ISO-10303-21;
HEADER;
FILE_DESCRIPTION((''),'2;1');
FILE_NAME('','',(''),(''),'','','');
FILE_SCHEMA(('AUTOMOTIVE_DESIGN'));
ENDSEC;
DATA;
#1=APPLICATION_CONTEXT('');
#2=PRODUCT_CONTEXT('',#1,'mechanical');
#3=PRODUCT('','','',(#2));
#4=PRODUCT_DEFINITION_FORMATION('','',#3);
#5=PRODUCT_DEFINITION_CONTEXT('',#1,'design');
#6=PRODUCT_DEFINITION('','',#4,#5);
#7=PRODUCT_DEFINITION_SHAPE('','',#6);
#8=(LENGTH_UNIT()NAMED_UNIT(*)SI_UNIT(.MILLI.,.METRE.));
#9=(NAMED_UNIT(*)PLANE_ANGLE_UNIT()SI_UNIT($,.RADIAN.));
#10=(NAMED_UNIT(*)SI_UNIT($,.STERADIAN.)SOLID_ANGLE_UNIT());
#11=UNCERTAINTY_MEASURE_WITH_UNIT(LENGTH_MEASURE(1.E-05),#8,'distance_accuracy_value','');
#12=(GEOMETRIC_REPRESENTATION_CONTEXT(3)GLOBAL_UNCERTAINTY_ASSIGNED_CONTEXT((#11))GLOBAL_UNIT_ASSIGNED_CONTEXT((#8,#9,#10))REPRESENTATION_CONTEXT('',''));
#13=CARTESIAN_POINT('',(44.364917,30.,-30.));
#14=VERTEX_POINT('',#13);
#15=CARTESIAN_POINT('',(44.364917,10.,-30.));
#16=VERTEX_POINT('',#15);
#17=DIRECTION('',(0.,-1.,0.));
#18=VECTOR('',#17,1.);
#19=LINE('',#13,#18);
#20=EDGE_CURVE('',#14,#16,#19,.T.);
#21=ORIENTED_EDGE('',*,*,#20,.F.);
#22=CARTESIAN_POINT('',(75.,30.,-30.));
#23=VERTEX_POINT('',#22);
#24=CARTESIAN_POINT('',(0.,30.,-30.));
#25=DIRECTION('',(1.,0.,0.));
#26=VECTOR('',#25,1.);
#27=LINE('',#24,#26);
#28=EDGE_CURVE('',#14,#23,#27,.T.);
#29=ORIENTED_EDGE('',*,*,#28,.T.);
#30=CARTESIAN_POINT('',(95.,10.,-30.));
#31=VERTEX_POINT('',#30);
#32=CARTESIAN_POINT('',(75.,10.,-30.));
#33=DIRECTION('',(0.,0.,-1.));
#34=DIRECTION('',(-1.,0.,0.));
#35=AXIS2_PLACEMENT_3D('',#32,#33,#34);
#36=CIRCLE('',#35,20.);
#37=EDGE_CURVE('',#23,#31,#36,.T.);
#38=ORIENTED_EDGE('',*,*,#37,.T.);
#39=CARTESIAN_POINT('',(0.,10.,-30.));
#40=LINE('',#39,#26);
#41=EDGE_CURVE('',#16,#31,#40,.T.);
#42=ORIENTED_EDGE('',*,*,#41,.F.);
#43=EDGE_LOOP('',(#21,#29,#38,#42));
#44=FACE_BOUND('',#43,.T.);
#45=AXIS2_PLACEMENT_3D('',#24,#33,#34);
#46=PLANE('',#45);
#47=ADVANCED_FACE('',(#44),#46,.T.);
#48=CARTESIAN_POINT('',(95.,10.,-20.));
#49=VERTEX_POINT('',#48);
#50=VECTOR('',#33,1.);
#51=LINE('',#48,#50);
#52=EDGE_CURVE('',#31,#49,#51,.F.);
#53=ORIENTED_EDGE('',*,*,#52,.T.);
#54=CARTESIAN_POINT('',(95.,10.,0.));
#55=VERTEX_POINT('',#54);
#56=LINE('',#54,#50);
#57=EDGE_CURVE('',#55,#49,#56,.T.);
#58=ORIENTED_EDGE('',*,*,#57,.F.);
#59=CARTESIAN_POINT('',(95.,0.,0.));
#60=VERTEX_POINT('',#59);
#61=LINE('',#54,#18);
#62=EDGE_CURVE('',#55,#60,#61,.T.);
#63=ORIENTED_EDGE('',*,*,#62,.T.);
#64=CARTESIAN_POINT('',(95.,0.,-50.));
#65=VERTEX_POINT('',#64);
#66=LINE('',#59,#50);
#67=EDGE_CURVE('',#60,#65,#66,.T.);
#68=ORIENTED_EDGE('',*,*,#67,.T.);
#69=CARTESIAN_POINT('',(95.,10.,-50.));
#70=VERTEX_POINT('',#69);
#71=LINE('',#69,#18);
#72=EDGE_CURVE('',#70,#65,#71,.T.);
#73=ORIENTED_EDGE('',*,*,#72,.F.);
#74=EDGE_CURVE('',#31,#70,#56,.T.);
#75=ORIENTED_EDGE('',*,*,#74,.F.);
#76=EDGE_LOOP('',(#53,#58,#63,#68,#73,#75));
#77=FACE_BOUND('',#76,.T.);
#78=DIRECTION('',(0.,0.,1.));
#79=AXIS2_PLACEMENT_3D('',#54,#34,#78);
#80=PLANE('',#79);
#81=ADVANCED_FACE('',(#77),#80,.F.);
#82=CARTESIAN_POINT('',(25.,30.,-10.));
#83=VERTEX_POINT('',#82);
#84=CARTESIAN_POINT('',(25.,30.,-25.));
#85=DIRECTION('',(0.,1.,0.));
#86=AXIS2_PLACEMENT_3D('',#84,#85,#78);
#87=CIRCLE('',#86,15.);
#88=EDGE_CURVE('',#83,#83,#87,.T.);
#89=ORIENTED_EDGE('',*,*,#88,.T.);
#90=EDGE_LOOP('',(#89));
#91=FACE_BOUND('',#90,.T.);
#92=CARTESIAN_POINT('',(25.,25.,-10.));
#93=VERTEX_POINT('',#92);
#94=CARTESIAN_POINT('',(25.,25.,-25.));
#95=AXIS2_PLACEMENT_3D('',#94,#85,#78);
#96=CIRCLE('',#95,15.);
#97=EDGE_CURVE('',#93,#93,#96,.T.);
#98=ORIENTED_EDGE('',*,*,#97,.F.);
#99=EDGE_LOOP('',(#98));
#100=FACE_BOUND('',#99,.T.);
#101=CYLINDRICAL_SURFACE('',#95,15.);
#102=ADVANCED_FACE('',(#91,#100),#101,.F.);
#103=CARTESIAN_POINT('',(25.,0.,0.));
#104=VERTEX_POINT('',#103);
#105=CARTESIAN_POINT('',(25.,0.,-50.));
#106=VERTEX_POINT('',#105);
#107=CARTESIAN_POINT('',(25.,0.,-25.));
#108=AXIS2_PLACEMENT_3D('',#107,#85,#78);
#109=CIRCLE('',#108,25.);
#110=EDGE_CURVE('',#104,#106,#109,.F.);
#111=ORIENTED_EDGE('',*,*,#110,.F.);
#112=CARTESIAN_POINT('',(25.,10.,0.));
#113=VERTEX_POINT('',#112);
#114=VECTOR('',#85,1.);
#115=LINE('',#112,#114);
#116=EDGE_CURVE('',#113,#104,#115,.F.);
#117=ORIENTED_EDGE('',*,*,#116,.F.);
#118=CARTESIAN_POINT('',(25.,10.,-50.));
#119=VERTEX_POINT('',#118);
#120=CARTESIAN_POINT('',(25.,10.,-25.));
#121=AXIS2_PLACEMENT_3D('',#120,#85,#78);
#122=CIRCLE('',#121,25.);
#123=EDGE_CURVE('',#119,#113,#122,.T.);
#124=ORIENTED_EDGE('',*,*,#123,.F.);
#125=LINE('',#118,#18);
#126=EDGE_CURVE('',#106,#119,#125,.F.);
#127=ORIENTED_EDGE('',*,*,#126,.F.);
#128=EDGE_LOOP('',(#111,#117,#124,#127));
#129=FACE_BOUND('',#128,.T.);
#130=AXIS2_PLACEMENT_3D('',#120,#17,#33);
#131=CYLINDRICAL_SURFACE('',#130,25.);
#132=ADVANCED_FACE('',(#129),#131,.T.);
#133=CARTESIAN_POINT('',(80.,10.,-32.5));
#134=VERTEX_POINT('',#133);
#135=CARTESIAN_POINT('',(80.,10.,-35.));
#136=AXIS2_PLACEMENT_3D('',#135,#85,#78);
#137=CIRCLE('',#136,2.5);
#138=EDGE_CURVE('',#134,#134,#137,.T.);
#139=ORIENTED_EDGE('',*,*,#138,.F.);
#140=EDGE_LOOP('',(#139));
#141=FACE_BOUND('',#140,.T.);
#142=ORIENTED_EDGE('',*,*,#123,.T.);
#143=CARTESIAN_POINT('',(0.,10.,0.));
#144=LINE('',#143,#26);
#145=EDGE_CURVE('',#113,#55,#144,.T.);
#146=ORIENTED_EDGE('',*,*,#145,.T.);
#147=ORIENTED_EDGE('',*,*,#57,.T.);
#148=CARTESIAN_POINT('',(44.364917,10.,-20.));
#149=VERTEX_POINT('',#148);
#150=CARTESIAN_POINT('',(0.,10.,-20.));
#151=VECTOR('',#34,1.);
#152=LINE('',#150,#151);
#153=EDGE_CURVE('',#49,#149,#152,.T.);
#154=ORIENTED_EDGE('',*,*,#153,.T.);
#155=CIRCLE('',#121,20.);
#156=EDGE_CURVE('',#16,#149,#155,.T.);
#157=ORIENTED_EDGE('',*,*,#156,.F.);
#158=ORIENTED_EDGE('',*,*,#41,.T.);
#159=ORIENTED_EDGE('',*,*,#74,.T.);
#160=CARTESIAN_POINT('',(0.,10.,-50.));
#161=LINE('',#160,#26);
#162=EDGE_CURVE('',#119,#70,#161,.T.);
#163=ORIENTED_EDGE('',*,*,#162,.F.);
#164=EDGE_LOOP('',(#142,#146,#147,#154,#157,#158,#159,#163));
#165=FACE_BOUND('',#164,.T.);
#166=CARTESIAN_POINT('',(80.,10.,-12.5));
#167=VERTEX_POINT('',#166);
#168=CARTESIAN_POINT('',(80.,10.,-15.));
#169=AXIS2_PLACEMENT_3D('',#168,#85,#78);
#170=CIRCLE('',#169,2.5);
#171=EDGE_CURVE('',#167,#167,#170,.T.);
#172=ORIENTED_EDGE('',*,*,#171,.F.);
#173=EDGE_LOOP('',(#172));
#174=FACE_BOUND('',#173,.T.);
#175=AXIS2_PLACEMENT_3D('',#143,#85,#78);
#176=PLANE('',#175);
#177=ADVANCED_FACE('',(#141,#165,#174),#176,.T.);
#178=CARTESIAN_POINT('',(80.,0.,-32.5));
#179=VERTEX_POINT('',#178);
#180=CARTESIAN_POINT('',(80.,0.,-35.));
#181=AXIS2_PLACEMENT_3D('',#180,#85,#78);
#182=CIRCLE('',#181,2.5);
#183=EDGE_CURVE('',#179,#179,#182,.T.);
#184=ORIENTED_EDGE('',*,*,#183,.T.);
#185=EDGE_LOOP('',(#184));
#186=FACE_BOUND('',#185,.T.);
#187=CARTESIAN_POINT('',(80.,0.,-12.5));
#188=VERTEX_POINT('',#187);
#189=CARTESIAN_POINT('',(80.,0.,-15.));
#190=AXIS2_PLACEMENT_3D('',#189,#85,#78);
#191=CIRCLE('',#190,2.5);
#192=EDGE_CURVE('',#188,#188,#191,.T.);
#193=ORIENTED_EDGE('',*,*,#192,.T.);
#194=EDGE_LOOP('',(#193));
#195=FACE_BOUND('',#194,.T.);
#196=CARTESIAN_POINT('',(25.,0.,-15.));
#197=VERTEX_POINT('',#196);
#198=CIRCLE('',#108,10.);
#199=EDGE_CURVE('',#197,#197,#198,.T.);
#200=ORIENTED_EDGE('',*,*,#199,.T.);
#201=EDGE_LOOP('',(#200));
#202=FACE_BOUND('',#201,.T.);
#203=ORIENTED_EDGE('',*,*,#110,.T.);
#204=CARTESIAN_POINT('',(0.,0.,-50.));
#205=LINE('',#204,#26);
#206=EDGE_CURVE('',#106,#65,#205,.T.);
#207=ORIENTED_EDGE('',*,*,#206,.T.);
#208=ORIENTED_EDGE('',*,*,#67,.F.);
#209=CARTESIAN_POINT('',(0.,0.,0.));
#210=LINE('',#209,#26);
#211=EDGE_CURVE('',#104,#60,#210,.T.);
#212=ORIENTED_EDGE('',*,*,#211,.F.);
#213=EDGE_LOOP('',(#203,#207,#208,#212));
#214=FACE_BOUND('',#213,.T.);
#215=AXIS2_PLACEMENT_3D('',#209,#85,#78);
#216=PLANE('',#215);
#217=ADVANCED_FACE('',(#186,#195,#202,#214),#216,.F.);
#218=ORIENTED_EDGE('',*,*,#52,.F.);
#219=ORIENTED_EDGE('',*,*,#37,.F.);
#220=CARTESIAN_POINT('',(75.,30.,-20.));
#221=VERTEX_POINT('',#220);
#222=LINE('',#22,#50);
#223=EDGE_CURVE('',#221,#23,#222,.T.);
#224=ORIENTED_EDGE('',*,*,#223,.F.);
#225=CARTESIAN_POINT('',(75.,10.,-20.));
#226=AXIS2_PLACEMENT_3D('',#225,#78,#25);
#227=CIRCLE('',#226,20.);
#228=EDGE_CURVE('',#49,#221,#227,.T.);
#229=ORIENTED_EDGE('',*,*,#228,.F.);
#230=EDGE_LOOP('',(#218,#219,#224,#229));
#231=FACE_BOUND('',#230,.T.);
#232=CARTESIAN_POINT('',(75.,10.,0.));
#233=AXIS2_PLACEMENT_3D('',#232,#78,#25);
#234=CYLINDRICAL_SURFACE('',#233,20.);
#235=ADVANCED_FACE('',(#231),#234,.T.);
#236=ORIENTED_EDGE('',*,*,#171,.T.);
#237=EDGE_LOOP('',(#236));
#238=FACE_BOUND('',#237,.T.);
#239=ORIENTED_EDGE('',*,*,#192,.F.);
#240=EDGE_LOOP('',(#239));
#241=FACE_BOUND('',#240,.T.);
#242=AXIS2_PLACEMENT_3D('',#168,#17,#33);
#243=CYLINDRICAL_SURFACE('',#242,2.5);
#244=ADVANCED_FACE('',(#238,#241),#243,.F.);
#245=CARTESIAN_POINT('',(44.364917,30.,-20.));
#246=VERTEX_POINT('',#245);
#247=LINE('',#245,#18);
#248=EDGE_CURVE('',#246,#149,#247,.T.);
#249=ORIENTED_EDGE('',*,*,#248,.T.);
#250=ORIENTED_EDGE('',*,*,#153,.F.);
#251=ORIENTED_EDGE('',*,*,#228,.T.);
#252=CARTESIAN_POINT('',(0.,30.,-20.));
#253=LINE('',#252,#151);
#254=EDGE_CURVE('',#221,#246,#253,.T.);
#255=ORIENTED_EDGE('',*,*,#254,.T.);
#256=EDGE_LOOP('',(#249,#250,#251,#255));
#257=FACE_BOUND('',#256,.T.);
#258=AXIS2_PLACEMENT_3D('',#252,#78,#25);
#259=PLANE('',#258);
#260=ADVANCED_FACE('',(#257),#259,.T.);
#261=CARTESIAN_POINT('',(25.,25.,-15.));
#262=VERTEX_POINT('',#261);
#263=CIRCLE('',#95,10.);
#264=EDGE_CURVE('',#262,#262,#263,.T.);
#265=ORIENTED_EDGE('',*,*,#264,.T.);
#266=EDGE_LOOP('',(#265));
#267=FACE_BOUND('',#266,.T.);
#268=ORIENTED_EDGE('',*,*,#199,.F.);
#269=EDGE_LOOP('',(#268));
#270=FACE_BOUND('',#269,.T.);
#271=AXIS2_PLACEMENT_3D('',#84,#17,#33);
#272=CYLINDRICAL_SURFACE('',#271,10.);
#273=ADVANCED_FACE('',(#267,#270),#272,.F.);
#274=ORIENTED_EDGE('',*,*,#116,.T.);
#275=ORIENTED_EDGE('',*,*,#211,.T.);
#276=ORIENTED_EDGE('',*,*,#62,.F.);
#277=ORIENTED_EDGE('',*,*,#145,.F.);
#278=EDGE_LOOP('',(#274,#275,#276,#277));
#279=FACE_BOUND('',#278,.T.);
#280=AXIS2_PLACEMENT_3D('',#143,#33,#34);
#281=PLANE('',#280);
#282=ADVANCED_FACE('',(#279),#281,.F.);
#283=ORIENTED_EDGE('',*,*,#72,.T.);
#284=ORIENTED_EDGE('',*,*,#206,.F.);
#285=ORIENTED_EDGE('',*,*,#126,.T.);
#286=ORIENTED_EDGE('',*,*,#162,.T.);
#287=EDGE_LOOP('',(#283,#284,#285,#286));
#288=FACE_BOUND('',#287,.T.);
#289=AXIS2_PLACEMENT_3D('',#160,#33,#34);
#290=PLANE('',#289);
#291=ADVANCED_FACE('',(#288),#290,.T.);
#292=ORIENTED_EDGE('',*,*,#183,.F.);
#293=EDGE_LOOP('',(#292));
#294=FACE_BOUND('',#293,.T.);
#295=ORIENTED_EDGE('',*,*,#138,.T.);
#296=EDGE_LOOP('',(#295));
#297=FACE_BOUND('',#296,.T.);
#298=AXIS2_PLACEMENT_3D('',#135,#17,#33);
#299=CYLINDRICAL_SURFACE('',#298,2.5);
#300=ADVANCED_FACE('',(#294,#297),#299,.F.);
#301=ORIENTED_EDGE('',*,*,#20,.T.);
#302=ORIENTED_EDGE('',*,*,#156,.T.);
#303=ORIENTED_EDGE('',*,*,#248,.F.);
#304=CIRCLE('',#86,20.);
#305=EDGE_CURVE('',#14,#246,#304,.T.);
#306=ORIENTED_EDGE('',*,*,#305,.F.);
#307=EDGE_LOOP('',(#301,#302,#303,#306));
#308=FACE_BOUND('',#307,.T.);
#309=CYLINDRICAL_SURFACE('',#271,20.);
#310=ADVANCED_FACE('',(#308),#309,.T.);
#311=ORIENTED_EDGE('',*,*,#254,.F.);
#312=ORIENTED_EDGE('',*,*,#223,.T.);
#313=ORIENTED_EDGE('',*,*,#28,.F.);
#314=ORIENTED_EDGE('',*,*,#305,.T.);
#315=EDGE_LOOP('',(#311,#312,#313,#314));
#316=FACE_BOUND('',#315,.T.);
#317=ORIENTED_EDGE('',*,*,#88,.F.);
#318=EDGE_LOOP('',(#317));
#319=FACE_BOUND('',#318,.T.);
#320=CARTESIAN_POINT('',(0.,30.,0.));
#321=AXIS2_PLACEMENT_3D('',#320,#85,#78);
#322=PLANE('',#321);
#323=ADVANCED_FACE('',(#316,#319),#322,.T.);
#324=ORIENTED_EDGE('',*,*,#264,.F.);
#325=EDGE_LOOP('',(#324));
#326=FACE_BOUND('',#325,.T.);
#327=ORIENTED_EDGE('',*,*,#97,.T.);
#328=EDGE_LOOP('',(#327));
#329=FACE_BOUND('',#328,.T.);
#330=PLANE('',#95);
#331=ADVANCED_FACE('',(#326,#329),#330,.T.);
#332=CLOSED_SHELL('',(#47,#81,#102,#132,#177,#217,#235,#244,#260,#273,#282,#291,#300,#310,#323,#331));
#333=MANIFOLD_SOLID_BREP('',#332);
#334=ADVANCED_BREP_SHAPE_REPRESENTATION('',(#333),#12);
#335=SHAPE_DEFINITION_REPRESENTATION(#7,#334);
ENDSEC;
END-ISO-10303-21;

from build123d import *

# Parameters (mm, degrees)
SKETCH10_R          = 2.5
BOSS_EXTRUDE3_DEPTH = 10
SKETCH10_3_R        = 15
SKETCH10_3_R_2      = 10
BOSS_EXTRUDE4_DEPTH = 30
FILLET1_RADIUS      = 25
FILLET1_LENGTH      = 10
FILLET2_R           = 20
CUT_EXTRUDE1_START  = 25
SKETCH10_6_R        = 15
SKETCH10_6_R_2      = 10
CUT_EXTRUDE1_DEPTH  = 5


with BuildPart() as part:
    # Sketch10 → Boss-Extrude3 (new body)
    with BuildSketch(Plane(origin=(0, 0, 0), x_dir=(1, 0, 0), z_dir=(0, 1, 0))):
        with BuildLine():
            ThreePointArc((44.364916731, 20), (5, 25), (44.364916731, 30))
            Line((44.364916731, 30), (95, 30))
            Line((95, 30), (95, 50))
            Line((95, 50), (0, 50))
            Line((0, 50), (0, 0))
            Line((0, 0), (95, 0))
            Line((95, 0), (95, 20))
            Line((95, 20), (44.364916731, 20))
        make_face()
        with Locations(Location((80, 15, 0), (0, 0, 270))):
            Circle(SKETCH10_R, mode=Mode.SUBTRACT)
        with Locations(Location((80, 35, 0), (0, 0, 270))):
            Circle(SKETCH10_R, mode=Mode.SUBTRACT)
    extrude(amount=BOSS_EXTRUDE3_DEPTH)

    # Sketch10<3> → Boss-Extrude4 (add)
    # profile 1 of 2: a face of its own
    with BuildSketch(Plane(origin=(0, 0, 0), x_dir=(1, 0, 0), z_dir=(0, 1, 0))):
        with BuildLine():
            Line((95, 30), (44.364916731, 30))
            ThreePointArc((44.364916731, 30), (5, 25), (44.364916731, 20))
            Line((44.364916731, 20), (95, 20))
            Line((95, 20), (95, 30))
        make_face()
        with Locations((25, 25)):
            Circle(SKETCH10_3_R, mode=Mode.SUBTRACT)
    # profile 2 of 2: a face of its own
    with BuildSketch(Plane(origin=(0, 0, 0), x_dir=(1, 0, 0), z_dir=(0, 1, 0))):
        with Locations((25, 25)):
            Circle(SKETCH10_3_R)
        with Locations(Location((25, 25, 0), (0, 0, 270))):
            Circle(SKETCH10_3_R_2, mode=Mode.SUBTRACT)
    extrude(amount=BOSS_EXTRUDE4_DEPTH)

    # Fillet1: full round fillet: the end face becomes a half cylinder, R = half its width
    fillet1_face = Plane((0, 5, -25), x_dir=(0, 1, 0), z_dir=(-1, 0, 0))  # on the end face: x along it, z out of the body
    fillet1_slab = fillet1_face.offset(-FILLET1_RADIUS / 2) * Box(FILLET1_LENGTH, 2 * FILLET1_RADIUS, FILLET1_RADIUS, mode=Mode.PRIVATE)  # the body's end, R deep
    fillet1_round = Plane((25, 5, -25), x_dir=(-1, 0, 0), z_dir=(0, 1, 0)) * Cylinder(FILLET1_RADIUS, FILLET1_LENGTH, mode=Mode.PRIVATE)  # its axis R under the face
    add(fillet1_slab - fillet1_round, mode=Mode.SUBTRACT)

    # Fillet2
    fillet2_edges = [part.edges().sort_by_distance(p)[0] for p in [
        (95, 30, -25),
    ]]
    fillet(fillet2_edges, radius=FILLET2_R)

    # Sketch10<6> → Cut-Extrude1 (cut)
    with BuildSketch(Plane(origin=(0, 0, 0), x_dir=(1, 0, 0), z_dir=(0, 1, 0)).offset(CUT_EXTRUDE1_START)):
        with Locations(Location((25, 25, 0), (0, 0, 270))):
            Circle(SKETCH10_6_R)
        with Locations(Location((25, 25, 0), (0, 0, 270))):
            Circle(SKETCH10_6_R_2, mode=Mode.SUBTRACT)
    extrude(amount=CUT_EXTRUDE1_DEPTH, mode=Mode.SUBTRACT)


solid = part.part
